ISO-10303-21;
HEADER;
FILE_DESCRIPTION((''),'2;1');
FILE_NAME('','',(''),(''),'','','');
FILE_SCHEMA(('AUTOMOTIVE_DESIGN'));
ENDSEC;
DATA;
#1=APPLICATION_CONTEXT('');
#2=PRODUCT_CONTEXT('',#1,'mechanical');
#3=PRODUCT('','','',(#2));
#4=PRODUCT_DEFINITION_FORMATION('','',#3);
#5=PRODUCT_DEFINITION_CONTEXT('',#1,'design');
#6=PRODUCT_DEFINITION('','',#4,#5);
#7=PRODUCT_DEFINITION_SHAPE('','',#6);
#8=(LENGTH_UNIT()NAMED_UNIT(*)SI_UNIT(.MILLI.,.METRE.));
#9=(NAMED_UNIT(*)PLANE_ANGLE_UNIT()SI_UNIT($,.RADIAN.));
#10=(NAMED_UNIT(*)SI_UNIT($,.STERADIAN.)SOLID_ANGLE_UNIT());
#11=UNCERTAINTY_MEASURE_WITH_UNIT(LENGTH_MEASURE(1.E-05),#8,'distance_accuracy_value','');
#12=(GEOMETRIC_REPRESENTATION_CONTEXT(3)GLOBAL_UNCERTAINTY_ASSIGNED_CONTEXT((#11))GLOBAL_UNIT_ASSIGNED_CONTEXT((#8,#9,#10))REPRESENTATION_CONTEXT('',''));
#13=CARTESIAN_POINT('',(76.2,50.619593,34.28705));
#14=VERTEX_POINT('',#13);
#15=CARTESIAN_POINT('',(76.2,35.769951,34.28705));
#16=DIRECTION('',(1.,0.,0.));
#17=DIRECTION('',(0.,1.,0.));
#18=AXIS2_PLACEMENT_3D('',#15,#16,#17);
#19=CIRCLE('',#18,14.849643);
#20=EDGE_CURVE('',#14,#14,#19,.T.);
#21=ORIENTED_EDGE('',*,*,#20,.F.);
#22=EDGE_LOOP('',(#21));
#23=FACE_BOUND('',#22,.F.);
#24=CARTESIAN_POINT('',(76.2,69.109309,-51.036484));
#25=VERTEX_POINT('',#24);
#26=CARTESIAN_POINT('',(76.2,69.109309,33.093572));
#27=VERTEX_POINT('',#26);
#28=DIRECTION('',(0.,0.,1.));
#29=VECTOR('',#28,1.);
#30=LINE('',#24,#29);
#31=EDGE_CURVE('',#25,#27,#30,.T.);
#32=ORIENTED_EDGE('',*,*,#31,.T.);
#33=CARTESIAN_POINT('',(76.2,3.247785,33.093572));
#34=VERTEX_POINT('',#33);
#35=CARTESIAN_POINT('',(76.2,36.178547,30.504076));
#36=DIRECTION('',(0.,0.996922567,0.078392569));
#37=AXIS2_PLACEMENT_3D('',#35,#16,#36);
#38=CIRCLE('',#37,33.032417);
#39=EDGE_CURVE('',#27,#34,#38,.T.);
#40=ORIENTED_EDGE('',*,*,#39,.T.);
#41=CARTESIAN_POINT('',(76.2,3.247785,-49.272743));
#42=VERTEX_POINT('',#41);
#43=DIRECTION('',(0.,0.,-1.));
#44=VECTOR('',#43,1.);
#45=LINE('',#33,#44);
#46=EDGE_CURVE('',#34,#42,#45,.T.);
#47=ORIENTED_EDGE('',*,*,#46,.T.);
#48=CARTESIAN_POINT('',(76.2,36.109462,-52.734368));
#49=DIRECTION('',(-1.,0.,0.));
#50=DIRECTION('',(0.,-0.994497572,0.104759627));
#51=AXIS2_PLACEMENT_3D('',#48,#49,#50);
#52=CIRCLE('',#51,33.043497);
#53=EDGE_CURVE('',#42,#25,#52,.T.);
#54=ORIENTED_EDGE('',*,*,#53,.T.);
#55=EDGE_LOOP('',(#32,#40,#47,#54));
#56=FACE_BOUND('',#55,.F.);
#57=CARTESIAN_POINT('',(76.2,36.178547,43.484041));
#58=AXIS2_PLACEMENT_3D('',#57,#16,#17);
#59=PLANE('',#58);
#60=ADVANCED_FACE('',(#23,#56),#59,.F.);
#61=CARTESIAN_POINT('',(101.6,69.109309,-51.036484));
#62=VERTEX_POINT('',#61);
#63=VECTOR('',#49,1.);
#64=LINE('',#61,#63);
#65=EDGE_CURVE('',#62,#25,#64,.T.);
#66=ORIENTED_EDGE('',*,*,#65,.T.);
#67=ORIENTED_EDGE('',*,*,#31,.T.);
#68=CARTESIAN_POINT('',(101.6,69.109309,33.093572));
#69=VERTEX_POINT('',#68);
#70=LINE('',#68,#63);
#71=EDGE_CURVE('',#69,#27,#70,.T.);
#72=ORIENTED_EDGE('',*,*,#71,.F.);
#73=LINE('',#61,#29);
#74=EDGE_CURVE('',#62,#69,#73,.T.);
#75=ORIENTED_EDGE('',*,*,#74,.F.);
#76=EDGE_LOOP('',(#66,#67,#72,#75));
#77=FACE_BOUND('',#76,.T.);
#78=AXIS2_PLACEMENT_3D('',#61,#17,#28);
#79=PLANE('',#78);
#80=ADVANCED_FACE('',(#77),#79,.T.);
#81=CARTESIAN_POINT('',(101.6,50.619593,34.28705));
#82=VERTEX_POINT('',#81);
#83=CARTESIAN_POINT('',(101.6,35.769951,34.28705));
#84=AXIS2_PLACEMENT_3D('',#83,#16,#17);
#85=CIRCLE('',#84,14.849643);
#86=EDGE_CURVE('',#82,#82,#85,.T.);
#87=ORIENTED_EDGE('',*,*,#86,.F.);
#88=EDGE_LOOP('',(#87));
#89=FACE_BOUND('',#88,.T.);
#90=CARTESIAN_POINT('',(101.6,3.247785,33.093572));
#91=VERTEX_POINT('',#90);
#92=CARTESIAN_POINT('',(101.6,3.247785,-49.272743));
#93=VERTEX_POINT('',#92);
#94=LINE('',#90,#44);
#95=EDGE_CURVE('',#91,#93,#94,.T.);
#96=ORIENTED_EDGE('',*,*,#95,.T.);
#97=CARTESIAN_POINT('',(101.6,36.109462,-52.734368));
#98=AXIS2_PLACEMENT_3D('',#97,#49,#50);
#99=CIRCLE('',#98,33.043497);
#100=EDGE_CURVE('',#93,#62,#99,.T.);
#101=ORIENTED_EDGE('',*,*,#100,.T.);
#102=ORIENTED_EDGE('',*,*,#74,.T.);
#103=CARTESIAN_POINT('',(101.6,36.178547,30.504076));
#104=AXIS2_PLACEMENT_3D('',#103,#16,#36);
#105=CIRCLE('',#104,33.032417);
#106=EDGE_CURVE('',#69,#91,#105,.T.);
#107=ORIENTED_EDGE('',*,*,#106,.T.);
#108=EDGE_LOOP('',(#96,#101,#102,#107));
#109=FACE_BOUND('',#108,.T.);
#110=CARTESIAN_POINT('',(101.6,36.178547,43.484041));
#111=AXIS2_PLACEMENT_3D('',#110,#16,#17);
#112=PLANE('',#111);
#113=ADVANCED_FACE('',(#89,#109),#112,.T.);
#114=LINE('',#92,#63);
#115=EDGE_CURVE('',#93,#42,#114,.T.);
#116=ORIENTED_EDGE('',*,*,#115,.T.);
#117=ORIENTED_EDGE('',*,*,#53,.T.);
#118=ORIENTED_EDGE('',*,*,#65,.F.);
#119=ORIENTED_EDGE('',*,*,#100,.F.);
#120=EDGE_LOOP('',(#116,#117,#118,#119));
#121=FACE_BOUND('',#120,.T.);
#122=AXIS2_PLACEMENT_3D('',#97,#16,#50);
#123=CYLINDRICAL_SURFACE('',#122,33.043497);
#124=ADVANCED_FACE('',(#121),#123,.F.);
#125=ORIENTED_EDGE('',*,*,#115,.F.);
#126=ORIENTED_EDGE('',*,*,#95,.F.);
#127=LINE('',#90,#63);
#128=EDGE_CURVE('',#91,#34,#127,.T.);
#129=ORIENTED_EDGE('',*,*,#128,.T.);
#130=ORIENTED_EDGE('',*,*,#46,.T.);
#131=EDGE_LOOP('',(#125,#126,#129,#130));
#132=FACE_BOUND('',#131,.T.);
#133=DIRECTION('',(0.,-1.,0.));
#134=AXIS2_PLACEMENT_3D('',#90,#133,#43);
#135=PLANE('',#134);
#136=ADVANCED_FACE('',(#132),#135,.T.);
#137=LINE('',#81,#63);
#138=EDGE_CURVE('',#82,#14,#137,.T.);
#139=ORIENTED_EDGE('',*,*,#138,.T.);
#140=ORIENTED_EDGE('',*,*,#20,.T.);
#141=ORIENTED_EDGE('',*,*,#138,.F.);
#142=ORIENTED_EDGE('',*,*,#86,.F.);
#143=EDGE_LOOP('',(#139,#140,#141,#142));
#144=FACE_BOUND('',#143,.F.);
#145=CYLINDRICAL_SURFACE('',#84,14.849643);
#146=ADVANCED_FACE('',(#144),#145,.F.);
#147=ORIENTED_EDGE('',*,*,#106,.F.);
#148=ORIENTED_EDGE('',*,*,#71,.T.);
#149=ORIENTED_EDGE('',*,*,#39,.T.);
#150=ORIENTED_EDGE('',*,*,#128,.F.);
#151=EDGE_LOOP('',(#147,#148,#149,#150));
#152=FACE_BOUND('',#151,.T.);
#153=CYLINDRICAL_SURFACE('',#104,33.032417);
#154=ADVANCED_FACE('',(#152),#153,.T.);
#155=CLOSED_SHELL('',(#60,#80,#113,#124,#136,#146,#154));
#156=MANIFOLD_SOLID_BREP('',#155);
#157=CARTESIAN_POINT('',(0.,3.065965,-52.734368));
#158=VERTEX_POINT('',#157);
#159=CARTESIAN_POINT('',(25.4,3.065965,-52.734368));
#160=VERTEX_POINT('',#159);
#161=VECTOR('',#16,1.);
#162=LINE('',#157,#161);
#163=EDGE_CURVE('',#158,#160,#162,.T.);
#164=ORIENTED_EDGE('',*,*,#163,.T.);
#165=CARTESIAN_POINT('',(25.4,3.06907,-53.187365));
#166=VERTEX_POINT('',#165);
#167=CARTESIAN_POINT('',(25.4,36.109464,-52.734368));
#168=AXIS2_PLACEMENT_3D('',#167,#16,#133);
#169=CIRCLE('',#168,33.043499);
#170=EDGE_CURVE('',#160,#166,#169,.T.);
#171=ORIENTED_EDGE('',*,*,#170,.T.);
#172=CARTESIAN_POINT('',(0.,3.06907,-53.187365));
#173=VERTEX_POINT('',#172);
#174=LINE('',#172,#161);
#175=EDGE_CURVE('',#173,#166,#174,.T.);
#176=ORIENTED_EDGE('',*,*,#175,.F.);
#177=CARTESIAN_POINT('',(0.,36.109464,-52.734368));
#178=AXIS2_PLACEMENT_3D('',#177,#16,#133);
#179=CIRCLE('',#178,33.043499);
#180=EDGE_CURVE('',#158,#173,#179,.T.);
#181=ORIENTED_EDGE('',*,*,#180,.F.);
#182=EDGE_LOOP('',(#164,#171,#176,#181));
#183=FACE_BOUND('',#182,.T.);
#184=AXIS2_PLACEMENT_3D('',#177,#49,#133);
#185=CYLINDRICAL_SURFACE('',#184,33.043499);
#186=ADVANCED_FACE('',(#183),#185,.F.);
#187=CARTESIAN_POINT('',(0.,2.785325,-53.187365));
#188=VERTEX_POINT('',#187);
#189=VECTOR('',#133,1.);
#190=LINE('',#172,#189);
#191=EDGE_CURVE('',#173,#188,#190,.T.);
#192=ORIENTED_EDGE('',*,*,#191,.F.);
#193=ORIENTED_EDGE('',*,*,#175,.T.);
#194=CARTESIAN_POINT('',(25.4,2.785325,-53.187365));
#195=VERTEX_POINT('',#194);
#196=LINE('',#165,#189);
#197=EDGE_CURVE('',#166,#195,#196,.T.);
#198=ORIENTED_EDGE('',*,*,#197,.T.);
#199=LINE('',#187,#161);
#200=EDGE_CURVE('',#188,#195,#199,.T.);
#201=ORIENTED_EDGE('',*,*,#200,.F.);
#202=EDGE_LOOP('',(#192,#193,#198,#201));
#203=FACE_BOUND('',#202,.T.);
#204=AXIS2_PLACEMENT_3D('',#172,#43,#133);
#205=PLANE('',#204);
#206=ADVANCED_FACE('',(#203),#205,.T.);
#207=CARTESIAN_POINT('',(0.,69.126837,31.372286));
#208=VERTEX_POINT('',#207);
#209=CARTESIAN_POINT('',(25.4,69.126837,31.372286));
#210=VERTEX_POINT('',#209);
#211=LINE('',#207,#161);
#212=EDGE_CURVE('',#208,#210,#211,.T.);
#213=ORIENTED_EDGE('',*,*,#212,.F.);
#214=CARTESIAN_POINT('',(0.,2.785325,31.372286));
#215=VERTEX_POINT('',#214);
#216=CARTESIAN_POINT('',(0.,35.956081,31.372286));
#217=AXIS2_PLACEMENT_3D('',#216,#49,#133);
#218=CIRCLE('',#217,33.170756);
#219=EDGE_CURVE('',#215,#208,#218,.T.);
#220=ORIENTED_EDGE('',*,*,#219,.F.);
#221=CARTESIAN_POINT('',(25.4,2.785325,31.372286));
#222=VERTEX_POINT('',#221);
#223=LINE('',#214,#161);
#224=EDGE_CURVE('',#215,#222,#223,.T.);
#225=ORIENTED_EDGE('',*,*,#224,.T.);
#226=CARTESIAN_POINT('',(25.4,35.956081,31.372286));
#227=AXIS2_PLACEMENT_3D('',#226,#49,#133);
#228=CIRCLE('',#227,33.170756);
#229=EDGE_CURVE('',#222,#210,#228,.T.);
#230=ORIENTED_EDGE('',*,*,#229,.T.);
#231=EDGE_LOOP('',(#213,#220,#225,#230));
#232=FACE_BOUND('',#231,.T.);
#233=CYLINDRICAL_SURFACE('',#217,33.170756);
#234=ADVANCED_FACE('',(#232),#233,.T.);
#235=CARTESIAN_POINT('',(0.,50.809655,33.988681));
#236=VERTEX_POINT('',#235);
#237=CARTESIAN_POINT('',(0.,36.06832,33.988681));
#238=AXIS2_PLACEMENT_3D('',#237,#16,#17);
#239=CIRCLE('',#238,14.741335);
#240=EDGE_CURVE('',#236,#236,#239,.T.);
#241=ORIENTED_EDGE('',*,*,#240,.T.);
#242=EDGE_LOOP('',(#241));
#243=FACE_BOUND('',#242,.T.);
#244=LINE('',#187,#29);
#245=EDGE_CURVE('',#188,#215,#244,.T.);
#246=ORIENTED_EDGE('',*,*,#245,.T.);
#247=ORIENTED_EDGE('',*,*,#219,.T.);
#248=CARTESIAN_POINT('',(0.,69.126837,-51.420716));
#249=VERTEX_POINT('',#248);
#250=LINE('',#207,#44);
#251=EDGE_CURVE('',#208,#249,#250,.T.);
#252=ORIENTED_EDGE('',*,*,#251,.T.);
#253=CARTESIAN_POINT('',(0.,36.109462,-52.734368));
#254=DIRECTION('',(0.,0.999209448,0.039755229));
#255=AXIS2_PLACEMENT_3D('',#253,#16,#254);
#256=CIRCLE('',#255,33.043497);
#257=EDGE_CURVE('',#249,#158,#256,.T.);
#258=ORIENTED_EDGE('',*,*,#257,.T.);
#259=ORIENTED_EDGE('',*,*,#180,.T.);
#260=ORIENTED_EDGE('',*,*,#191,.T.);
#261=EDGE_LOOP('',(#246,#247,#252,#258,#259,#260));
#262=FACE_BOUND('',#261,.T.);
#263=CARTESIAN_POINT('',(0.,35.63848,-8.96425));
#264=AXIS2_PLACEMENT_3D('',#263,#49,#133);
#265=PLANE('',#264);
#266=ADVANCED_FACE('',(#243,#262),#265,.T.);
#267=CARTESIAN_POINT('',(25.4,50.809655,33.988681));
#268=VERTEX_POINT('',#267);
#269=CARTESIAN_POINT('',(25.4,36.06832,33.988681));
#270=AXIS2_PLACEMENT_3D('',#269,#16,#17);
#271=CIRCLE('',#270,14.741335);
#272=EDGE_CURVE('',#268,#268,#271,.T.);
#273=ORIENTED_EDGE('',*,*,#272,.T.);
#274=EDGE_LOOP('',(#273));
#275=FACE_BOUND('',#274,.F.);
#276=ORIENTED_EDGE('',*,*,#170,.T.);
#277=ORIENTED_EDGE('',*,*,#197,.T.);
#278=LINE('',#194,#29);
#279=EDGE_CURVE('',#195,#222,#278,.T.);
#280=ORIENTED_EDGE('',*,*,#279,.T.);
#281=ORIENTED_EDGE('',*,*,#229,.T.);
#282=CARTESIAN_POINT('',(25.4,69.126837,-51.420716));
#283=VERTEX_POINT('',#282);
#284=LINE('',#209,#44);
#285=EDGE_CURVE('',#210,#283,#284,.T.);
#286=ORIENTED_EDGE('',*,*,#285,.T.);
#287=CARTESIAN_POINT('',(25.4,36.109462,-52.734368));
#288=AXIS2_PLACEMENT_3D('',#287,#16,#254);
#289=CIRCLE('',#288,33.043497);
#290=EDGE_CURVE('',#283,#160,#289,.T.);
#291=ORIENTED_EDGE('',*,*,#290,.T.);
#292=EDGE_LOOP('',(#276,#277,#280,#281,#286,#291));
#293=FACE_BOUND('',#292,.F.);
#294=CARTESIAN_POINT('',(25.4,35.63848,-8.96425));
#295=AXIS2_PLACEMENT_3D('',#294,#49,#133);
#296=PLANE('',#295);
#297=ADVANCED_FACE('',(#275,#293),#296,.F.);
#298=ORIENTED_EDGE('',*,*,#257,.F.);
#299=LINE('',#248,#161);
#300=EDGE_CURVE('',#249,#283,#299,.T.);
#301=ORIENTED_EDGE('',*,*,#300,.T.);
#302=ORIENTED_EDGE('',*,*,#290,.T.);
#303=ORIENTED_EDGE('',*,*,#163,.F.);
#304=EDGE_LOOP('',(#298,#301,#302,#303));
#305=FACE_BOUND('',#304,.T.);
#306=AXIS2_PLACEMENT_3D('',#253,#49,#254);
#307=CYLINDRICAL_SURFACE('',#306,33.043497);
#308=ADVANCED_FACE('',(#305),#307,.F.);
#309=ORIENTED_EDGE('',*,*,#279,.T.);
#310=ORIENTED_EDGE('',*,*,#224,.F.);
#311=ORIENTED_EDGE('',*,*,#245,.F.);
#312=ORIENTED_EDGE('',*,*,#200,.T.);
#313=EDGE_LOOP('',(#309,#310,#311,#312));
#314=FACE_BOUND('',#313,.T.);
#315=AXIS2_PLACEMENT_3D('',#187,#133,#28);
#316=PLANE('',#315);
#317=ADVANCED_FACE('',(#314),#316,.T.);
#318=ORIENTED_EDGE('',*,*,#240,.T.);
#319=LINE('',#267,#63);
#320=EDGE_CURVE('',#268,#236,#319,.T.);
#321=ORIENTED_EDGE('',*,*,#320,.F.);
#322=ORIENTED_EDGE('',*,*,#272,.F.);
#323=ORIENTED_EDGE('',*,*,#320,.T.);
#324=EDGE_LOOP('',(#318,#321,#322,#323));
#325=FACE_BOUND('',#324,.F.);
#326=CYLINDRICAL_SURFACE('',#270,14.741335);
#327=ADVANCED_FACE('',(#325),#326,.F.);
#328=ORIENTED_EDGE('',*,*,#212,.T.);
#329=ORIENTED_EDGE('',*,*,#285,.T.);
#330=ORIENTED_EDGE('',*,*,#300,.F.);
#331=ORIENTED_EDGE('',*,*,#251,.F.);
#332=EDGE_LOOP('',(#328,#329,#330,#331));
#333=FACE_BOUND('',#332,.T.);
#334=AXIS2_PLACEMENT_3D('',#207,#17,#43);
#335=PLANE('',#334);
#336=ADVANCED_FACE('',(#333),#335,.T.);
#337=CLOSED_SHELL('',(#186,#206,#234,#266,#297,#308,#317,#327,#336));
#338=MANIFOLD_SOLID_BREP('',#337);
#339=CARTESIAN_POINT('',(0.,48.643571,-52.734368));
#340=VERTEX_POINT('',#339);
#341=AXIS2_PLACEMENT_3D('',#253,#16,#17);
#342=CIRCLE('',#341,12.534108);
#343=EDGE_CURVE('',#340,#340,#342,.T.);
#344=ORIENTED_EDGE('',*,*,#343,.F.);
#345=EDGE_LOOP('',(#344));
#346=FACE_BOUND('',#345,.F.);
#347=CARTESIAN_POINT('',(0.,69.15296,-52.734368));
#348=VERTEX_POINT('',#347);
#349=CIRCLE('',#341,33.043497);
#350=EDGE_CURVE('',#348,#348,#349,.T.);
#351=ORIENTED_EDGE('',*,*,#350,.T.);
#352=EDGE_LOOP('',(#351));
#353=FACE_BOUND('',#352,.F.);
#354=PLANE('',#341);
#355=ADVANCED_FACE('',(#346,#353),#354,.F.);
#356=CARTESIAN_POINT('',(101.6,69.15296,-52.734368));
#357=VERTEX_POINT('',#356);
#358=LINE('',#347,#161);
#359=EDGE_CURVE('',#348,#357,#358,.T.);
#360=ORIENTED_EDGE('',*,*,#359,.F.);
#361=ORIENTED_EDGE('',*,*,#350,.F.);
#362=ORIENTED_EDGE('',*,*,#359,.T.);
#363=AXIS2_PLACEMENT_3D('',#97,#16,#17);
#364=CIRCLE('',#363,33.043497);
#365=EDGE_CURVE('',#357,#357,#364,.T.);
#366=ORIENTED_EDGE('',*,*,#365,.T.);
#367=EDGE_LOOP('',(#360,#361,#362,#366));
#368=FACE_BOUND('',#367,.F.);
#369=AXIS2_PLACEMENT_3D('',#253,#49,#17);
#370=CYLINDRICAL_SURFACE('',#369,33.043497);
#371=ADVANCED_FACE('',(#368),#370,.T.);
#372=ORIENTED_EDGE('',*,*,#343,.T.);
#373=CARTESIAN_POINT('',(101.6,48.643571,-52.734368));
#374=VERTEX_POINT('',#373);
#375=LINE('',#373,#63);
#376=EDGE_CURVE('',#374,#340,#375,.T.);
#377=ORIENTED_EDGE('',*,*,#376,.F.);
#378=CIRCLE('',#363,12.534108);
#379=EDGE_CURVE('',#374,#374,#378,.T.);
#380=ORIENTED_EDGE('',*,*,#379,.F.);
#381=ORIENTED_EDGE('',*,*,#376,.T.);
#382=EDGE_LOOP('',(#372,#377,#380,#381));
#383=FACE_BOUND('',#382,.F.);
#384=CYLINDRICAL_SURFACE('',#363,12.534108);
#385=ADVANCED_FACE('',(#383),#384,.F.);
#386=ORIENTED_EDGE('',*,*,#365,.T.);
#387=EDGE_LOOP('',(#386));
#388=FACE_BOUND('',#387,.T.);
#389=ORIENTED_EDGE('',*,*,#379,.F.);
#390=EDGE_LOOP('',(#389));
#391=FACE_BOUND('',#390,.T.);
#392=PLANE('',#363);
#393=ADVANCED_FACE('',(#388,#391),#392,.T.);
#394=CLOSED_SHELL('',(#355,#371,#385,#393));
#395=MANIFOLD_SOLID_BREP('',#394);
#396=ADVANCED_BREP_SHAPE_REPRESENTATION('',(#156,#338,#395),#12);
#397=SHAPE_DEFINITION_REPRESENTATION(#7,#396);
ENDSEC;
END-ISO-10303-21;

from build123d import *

# Parameters (mm, degrees)
F0_R      = 33.0434971647
F1_DEPTH  = 101.6
F3_DEPTH  = 25.4
F5_DEPTH  = 25.4
F6_R      = 12.5341082291
F7_DEPTH  = 101.601
F8_R      = 14.8496427524
F9_DEPTH  = 116.84
F10_R     = 14.7413346392
F11_DEPTH = 25.401


with BuildPart() as f1:
    # F0 (on Right) → F1 (new body)
    with BuildSketch(Plane.YZ):
        with Locations((36.1094623804, -52.7343675494)):
            Circle(F0_R)
    extrude(amount=F1_DEPTH)

    # F6 (on face) → F7 (cut, through all)
    with BuildSketch(Plane.YZ.offset(101.6)):
        with Locations((36.1094623804, -52.7343675494)):
            Circle(F6_R)
    extrude(amount=-F7_DEPTH, mode=Mode.SUBTRACT)


with BuildPart() as f3:
    # F2 (on face) → F3 (new body)
    with BuildSketch(Plane(origin=(0, 0, 0), x_dir=(0, -1, 0), z_dir=(-1, 0, 0))):
        with BuildLine():
            Line((-2.7853250504, 31.3722863793), (-69.1268369555, 31.3722863793))
            Line((-69.1268369555, 31.3722863793), (-69.1268369555, -51.4207157537))
            ThreePointArc((-69.1268369555, -51.4207157537), (-35.4525066303, -19.6974016776), (-3.0659652157, -52.7343675494))
            ThreePointArc((-3.0659652157, -52.7343675494), (-3.0667415352, -52.9608714523), (-3.0690704571, -53.1873647124))
            Line((-3.0690704571, -53.1873647124), (-2.7853250504, -53.1873647124))
            Line((-2.7853250504, -53.1873647124), (-2.7853250504, 31.3722863793))
        make_face()
        with BuildLine():
            ThreePointArc((-2.7853250504, 31.3722863793), (-35.956081003, 64.5430423319), (-69.1268369555, 31.3722863793))
            Line((-69.1268369555, 31.3722863793), (-2.7853250504, 31.3722863793))
        make_face()
    extrude(amount=-F3_DEPTH)

    # F10 (on face) → F11 (cut, through all)
    with BuildSketch(Plane.YZ.offset(25.4)):
        with Locations((36.0683202744, 33.9886806905)):
            Circle(F10_R)
    extrude(amount=-F11_DEPTH, mode=Mode.SUBTRACT)


with BuildPart() as f5:
    # F4 (on face) → F5 (new body)
    with BuildSketch(Plane.YZ.offset(101.6)):
        with BuildLine():
            ThreePointArc((69.1093092744, 33.0935716629), (36.1785469789, 63.5364929431), (3.2477846835, 33.0935716629))
            Line((3.2477846835, 33.0935716629), (69.1093092744, 33.0935716629))
        make_face()
        with BuildLine():
            Line((69.1093092744, 33.0935716629), (3.2477846835, 33.0935716629))
            Line((3.2477846835, 33.0935716629), (3.2477846835, -49.2727431015))
            ThreePointArc((3.2477846835, -49.2727431015), (36.9940344992, -19.7027124737), (69.1093092744, -51.0364836171))
            Line((69.1093092744, -51.0364836171), (69.1093092744, 33.0935716629))
        make_face()
    extrude(amount=-F5_DEPTH)

    # F8 (on face) → F9 (cut)
    with BuildSketch(Plane.YZ.offset(101.6)):
        with Locations((35.7699505985, 34.2870503664)):
            Circle(F8_R)
    extrude(amount=-F9_DEPTH, mode=Mode.SUBTRACT)


solid = Compound([f1.part, f3.part, f5.part])
